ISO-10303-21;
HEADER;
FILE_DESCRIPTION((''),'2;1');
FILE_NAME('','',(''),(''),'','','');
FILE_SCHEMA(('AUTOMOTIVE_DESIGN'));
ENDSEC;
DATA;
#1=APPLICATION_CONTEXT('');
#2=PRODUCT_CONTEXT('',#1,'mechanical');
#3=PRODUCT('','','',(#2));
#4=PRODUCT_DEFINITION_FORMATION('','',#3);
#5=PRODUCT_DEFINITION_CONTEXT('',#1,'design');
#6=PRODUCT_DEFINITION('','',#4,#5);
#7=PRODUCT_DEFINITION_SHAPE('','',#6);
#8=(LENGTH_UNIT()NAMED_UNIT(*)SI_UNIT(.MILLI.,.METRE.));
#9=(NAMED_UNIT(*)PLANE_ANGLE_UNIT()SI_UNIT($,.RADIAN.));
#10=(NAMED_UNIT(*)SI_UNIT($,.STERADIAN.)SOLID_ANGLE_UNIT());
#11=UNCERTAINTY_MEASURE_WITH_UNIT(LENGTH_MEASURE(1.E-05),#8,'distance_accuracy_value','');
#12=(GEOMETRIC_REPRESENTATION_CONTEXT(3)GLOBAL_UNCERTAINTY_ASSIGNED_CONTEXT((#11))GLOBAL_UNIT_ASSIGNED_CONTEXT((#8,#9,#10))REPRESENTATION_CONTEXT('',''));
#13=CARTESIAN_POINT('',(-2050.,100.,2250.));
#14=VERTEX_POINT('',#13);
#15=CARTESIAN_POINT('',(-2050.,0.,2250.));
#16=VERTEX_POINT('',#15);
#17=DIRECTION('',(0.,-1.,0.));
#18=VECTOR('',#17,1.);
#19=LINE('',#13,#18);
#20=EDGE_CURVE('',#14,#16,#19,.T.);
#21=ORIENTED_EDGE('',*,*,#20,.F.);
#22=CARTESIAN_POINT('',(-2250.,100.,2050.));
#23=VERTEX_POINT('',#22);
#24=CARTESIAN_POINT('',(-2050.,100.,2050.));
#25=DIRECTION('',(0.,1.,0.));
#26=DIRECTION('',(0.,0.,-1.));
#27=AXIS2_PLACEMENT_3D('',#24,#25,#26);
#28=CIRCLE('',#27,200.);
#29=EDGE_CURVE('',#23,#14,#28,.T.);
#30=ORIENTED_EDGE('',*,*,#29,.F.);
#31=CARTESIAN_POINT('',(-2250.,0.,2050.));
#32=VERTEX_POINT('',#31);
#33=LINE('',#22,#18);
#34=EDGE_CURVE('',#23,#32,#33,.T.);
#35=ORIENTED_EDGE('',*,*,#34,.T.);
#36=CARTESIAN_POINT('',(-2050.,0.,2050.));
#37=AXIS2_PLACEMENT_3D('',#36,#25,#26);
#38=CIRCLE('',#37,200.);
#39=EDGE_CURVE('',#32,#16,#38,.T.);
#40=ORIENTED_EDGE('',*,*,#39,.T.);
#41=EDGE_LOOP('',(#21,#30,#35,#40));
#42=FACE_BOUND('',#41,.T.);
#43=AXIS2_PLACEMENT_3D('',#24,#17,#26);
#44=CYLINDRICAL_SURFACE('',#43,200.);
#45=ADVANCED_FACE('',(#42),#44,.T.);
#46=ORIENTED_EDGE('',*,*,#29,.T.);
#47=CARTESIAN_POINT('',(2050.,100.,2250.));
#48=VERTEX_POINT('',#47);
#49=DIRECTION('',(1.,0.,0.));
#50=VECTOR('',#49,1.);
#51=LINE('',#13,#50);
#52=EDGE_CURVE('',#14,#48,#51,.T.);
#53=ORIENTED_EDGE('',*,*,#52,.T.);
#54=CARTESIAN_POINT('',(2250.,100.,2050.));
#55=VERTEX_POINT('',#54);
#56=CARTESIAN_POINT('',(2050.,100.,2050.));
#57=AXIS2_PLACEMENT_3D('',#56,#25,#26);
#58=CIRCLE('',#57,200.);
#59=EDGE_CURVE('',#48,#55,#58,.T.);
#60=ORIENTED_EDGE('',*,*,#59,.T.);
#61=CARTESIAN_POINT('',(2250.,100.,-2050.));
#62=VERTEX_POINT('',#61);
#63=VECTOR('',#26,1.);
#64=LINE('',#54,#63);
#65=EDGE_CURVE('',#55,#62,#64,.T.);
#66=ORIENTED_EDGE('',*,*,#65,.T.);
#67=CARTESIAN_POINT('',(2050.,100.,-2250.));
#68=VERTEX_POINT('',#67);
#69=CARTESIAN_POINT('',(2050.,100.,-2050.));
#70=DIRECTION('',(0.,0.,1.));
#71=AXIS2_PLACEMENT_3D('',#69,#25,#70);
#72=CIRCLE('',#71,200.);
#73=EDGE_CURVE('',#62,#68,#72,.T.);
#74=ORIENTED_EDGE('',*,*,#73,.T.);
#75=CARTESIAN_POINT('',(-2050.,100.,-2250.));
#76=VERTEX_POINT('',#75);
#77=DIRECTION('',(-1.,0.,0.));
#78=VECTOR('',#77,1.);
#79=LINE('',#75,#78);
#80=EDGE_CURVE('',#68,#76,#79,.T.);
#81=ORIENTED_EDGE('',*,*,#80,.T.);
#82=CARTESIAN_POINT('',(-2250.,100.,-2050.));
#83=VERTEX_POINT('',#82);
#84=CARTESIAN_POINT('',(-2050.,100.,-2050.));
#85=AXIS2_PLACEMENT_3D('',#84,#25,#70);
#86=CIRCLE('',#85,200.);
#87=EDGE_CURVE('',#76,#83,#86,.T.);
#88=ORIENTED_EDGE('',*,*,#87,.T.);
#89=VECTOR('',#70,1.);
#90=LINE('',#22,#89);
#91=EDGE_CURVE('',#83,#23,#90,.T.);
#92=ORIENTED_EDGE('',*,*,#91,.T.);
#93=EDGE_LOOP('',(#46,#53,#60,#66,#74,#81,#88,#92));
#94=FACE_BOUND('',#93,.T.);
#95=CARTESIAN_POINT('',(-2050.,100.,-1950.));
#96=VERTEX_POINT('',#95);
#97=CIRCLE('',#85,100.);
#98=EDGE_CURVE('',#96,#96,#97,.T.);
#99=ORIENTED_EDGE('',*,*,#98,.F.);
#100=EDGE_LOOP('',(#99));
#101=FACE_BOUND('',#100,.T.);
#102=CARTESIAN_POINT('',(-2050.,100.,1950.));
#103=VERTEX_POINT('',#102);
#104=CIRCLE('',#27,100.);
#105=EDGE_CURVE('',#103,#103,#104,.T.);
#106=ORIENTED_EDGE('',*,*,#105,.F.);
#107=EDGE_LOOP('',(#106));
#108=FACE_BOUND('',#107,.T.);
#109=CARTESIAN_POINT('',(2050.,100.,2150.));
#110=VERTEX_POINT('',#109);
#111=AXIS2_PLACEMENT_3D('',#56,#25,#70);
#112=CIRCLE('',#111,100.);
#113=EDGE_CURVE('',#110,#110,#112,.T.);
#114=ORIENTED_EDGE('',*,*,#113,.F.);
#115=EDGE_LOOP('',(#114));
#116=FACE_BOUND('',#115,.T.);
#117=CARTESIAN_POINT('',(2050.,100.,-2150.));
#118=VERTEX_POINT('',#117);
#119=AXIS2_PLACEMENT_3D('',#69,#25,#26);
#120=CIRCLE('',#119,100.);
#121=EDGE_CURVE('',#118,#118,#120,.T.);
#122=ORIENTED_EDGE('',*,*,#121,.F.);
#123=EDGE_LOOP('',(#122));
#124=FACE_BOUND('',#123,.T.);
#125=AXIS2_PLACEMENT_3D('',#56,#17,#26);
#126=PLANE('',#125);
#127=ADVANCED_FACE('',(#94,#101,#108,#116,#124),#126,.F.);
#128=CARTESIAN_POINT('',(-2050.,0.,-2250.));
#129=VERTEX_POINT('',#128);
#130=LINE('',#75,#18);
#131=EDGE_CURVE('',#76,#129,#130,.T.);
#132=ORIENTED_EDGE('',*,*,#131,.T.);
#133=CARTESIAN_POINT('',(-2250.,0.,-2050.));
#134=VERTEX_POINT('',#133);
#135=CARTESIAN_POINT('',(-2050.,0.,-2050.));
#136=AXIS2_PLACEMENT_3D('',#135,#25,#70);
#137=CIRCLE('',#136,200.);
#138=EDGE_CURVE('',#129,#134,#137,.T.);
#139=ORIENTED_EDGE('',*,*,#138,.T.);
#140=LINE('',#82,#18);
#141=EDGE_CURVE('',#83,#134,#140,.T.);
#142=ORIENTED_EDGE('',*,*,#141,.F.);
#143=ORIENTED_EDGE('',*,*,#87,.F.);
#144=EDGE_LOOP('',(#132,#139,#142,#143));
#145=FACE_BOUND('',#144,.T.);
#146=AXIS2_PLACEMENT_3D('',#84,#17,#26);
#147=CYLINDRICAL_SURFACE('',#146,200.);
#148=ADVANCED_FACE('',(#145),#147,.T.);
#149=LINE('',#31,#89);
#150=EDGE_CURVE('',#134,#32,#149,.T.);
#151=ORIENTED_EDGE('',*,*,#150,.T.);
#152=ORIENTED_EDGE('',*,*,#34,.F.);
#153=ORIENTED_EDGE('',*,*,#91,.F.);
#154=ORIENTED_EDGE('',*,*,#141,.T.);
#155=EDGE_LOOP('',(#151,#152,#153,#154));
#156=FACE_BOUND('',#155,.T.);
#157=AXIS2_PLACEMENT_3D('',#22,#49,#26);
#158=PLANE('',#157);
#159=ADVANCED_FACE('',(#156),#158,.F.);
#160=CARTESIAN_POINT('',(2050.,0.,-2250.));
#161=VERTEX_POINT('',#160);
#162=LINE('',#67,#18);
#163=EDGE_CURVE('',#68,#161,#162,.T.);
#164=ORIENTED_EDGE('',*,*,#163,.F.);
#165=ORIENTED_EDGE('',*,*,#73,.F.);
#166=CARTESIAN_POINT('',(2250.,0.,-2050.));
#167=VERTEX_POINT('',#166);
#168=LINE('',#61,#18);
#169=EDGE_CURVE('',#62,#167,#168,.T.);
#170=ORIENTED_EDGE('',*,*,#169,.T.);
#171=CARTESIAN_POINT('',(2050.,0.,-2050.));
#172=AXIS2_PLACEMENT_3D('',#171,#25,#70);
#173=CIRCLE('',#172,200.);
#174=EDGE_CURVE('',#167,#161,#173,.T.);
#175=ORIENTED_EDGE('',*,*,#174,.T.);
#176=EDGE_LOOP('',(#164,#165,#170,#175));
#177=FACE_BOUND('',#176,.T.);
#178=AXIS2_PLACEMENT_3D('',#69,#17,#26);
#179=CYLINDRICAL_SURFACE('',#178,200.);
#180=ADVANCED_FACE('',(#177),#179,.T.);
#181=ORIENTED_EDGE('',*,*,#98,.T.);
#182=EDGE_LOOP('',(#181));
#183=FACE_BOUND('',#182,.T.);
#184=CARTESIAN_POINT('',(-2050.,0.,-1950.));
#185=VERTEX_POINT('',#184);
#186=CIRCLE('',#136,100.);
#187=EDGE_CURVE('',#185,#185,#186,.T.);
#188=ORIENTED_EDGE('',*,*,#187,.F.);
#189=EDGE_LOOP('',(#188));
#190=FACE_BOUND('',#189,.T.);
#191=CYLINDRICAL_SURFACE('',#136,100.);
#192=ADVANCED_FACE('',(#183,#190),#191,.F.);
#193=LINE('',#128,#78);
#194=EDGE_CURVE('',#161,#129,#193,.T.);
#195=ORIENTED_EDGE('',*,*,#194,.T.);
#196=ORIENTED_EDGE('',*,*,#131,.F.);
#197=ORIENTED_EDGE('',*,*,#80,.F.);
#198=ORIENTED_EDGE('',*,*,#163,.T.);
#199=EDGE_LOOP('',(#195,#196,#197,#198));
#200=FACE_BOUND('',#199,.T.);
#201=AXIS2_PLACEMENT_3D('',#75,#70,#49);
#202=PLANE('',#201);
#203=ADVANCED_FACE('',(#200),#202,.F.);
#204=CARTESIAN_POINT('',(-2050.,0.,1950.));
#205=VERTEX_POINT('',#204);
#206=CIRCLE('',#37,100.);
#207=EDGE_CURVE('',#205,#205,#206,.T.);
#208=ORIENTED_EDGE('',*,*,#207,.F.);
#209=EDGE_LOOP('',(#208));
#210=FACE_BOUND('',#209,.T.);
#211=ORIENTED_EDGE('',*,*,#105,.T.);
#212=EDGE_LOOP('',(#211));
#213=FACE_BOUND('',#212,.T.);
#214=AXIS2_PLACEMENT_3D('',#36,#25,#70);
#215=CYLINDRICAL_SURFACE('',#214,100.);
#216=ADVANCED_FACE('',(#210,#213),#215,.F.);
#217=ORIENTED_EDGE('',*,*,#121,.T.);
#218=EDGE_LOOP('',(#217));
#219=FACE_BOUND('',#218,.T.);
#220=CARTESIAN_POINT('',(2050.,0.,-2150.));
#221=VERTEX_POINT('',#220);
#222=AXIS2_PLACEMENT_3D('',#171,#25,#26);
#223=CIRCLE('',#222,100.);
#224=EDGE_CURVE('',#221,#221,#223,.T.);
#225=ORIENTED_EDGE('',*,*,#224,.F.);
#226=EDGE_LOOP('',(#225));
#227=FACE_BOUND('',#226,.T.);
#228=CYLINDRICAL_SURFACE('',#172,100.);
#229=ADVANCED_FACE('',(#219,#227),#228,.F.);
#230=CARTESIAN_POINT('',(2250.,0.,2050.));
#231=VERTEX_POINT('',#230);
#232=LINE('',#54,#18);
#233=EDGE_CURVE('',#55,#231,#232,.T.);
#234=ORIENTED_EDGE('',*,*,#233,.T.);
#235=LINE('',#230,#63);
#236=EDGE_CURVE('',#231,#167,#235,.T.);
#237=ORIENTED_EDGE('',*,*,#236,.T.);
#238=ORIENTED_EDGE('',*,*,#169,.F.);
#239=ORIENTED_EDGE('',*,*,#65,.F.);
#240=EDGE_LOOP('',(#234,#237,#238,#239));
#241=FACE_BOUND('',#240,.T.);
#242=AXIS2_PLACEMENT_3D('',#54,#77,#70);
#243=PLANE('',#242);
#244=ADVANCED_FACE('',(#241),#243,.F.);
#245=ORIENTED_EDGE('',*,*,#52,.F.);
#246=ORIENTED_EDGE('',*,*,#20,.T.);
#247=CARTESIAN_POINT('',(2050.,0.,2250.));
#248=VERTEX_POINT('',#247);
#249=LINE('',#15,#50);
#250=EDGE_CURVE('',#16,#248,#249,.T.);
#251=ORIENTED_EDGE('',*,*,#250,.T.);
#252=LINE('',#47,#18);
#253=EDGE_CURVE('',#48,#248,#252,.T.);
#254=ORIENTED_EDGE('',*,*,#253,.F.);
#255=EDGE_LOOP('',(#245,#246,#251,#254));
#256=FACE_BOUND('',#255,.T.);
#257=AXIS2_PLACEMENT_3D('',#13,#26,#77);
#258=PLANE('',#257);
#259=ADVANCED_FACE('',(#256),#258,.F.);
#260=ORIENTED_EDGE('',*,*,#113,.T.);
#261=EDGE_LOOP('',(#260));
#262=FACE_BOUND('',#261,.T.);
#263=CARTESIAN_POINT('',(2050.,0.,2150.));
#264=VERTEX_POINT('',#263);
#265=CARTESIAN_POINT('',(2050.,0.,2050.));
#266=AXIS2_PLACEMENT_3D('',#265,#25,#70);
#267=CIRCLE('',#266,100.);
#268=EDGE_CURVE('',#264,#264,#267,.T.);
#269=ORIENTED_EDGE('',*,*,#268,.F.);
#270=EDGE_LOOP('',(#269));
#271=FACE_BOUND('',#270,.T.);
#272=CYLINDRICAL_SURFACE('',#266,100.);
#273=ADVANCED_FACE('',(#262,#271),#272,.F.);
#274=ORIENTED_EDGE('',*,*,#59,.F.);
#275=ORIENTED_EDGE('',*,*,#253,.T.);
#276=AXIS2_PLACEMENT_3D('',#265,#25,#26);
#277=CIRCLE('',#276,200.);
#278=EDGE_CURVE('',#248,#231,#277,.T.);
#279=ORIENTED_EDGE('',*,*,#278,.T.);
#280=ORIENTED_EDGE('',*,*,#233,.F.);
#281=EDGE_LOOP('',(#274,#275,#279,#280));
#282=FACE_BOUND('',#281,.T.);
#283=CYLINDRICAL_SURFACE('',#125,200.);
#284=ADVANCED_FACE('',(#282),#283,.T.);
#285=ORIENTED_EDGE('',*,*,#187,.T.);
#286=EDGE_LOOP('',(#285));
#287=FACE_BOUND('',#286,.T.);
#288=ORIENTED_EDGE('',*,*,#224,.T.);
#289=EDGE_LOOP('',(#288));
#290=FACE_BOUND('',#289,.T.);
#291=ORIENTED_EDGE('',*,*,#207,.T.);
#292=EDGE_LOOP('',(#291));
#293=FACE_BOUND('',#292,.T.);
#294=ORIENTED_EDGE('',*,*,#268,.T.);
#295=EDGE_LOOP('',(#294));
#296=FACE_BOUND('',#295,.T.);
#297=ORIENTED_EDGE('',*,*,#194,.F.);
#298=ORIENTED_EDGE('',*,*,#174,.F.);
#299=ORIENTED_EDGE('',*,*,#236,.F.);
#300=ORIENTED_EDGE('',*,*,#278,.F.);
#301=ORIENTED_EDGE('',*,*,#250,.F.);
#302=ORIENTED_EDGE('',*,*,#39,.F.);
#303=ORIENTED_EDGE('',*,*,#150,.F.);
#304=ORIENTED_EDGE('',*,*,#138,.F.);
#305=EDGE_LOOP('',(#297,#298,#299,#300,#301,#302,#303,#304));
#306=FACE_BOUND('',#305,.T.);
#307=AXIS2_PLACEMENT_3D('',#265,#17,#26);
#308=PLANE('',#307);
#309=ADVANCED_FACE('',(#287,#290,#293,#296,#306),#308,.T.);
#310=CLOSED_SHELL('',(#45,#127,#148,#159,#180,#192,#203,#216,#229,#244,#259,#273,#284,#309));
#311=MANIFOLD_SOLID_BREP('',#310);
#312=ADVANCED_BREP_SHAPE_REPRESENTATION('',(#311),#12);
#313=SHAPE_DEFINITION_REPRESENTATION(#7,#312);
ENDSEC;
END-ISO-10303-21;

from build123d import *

# Parameters (mm, degrees)
BASE_PLATE_DEPTH = 100
SKETCH3_R        = 100
BASE_HOLES_DEPTH = 100


with BuildPart() as part:
    # Sketch2 → Base plate (new body)
    with BuildSketch(Plane(origin=(0, 0, 0), x_dir=(1, 0, 0), z_dir=(0, 1, 0))):
        with BuildLine():
            Line((-2050, -2250), (2050, -2250))
            ThreePointArc((2050, -2250), (2191.421356237, -2191.421356237), (2250, -2050))
            Line((2250, -2050), (2250, 2050))
            ThreePointArc((2250, 2050), (2191.421356237, 2191.421356237), (2050, 2250))
            Line((2050, 2250), (-2050, 2250))
            ThreePointArc((-2050, 2250), (-2191.421356237, 2191.421356237), (-2250, 2050))
            Line((-2250, 2050), (-2250, -2050))
            ThreePointArc((-2250, -2050), (-2191.421356237, -2191.421356237), (-2050, -2250))
        make_face()
    extrude(amount=BASE_PLATE_DEPTH)

    # Sketch3 → base holes (cut)
    with BuildSketch(Plane(origin=(0, 100, 0), x_dir=(1, 0, 0), z_dir=(0, 1, 0))):
        with Locations(Location((-2050, 2050, 0), (0, 0, 270))):
            Circle(SKETCH3_R)
        with Locations(Location((-2050, -2050, 0), (0, 0, 90))):
            Circle(SKETCH3_R)
        with Locations(Location((2050, -2050, 0), (0, 0, 270))):
            Circle(SKETCH3_R)
        with Locations(Location((2050, 2050, 0), (0, 0, 90))):
            Circle(SKETCH3_R)
    extrude(amount=-BASE_HOLES_DEPTH, mode=Mode.SUBTRACT)


solid = part.part
